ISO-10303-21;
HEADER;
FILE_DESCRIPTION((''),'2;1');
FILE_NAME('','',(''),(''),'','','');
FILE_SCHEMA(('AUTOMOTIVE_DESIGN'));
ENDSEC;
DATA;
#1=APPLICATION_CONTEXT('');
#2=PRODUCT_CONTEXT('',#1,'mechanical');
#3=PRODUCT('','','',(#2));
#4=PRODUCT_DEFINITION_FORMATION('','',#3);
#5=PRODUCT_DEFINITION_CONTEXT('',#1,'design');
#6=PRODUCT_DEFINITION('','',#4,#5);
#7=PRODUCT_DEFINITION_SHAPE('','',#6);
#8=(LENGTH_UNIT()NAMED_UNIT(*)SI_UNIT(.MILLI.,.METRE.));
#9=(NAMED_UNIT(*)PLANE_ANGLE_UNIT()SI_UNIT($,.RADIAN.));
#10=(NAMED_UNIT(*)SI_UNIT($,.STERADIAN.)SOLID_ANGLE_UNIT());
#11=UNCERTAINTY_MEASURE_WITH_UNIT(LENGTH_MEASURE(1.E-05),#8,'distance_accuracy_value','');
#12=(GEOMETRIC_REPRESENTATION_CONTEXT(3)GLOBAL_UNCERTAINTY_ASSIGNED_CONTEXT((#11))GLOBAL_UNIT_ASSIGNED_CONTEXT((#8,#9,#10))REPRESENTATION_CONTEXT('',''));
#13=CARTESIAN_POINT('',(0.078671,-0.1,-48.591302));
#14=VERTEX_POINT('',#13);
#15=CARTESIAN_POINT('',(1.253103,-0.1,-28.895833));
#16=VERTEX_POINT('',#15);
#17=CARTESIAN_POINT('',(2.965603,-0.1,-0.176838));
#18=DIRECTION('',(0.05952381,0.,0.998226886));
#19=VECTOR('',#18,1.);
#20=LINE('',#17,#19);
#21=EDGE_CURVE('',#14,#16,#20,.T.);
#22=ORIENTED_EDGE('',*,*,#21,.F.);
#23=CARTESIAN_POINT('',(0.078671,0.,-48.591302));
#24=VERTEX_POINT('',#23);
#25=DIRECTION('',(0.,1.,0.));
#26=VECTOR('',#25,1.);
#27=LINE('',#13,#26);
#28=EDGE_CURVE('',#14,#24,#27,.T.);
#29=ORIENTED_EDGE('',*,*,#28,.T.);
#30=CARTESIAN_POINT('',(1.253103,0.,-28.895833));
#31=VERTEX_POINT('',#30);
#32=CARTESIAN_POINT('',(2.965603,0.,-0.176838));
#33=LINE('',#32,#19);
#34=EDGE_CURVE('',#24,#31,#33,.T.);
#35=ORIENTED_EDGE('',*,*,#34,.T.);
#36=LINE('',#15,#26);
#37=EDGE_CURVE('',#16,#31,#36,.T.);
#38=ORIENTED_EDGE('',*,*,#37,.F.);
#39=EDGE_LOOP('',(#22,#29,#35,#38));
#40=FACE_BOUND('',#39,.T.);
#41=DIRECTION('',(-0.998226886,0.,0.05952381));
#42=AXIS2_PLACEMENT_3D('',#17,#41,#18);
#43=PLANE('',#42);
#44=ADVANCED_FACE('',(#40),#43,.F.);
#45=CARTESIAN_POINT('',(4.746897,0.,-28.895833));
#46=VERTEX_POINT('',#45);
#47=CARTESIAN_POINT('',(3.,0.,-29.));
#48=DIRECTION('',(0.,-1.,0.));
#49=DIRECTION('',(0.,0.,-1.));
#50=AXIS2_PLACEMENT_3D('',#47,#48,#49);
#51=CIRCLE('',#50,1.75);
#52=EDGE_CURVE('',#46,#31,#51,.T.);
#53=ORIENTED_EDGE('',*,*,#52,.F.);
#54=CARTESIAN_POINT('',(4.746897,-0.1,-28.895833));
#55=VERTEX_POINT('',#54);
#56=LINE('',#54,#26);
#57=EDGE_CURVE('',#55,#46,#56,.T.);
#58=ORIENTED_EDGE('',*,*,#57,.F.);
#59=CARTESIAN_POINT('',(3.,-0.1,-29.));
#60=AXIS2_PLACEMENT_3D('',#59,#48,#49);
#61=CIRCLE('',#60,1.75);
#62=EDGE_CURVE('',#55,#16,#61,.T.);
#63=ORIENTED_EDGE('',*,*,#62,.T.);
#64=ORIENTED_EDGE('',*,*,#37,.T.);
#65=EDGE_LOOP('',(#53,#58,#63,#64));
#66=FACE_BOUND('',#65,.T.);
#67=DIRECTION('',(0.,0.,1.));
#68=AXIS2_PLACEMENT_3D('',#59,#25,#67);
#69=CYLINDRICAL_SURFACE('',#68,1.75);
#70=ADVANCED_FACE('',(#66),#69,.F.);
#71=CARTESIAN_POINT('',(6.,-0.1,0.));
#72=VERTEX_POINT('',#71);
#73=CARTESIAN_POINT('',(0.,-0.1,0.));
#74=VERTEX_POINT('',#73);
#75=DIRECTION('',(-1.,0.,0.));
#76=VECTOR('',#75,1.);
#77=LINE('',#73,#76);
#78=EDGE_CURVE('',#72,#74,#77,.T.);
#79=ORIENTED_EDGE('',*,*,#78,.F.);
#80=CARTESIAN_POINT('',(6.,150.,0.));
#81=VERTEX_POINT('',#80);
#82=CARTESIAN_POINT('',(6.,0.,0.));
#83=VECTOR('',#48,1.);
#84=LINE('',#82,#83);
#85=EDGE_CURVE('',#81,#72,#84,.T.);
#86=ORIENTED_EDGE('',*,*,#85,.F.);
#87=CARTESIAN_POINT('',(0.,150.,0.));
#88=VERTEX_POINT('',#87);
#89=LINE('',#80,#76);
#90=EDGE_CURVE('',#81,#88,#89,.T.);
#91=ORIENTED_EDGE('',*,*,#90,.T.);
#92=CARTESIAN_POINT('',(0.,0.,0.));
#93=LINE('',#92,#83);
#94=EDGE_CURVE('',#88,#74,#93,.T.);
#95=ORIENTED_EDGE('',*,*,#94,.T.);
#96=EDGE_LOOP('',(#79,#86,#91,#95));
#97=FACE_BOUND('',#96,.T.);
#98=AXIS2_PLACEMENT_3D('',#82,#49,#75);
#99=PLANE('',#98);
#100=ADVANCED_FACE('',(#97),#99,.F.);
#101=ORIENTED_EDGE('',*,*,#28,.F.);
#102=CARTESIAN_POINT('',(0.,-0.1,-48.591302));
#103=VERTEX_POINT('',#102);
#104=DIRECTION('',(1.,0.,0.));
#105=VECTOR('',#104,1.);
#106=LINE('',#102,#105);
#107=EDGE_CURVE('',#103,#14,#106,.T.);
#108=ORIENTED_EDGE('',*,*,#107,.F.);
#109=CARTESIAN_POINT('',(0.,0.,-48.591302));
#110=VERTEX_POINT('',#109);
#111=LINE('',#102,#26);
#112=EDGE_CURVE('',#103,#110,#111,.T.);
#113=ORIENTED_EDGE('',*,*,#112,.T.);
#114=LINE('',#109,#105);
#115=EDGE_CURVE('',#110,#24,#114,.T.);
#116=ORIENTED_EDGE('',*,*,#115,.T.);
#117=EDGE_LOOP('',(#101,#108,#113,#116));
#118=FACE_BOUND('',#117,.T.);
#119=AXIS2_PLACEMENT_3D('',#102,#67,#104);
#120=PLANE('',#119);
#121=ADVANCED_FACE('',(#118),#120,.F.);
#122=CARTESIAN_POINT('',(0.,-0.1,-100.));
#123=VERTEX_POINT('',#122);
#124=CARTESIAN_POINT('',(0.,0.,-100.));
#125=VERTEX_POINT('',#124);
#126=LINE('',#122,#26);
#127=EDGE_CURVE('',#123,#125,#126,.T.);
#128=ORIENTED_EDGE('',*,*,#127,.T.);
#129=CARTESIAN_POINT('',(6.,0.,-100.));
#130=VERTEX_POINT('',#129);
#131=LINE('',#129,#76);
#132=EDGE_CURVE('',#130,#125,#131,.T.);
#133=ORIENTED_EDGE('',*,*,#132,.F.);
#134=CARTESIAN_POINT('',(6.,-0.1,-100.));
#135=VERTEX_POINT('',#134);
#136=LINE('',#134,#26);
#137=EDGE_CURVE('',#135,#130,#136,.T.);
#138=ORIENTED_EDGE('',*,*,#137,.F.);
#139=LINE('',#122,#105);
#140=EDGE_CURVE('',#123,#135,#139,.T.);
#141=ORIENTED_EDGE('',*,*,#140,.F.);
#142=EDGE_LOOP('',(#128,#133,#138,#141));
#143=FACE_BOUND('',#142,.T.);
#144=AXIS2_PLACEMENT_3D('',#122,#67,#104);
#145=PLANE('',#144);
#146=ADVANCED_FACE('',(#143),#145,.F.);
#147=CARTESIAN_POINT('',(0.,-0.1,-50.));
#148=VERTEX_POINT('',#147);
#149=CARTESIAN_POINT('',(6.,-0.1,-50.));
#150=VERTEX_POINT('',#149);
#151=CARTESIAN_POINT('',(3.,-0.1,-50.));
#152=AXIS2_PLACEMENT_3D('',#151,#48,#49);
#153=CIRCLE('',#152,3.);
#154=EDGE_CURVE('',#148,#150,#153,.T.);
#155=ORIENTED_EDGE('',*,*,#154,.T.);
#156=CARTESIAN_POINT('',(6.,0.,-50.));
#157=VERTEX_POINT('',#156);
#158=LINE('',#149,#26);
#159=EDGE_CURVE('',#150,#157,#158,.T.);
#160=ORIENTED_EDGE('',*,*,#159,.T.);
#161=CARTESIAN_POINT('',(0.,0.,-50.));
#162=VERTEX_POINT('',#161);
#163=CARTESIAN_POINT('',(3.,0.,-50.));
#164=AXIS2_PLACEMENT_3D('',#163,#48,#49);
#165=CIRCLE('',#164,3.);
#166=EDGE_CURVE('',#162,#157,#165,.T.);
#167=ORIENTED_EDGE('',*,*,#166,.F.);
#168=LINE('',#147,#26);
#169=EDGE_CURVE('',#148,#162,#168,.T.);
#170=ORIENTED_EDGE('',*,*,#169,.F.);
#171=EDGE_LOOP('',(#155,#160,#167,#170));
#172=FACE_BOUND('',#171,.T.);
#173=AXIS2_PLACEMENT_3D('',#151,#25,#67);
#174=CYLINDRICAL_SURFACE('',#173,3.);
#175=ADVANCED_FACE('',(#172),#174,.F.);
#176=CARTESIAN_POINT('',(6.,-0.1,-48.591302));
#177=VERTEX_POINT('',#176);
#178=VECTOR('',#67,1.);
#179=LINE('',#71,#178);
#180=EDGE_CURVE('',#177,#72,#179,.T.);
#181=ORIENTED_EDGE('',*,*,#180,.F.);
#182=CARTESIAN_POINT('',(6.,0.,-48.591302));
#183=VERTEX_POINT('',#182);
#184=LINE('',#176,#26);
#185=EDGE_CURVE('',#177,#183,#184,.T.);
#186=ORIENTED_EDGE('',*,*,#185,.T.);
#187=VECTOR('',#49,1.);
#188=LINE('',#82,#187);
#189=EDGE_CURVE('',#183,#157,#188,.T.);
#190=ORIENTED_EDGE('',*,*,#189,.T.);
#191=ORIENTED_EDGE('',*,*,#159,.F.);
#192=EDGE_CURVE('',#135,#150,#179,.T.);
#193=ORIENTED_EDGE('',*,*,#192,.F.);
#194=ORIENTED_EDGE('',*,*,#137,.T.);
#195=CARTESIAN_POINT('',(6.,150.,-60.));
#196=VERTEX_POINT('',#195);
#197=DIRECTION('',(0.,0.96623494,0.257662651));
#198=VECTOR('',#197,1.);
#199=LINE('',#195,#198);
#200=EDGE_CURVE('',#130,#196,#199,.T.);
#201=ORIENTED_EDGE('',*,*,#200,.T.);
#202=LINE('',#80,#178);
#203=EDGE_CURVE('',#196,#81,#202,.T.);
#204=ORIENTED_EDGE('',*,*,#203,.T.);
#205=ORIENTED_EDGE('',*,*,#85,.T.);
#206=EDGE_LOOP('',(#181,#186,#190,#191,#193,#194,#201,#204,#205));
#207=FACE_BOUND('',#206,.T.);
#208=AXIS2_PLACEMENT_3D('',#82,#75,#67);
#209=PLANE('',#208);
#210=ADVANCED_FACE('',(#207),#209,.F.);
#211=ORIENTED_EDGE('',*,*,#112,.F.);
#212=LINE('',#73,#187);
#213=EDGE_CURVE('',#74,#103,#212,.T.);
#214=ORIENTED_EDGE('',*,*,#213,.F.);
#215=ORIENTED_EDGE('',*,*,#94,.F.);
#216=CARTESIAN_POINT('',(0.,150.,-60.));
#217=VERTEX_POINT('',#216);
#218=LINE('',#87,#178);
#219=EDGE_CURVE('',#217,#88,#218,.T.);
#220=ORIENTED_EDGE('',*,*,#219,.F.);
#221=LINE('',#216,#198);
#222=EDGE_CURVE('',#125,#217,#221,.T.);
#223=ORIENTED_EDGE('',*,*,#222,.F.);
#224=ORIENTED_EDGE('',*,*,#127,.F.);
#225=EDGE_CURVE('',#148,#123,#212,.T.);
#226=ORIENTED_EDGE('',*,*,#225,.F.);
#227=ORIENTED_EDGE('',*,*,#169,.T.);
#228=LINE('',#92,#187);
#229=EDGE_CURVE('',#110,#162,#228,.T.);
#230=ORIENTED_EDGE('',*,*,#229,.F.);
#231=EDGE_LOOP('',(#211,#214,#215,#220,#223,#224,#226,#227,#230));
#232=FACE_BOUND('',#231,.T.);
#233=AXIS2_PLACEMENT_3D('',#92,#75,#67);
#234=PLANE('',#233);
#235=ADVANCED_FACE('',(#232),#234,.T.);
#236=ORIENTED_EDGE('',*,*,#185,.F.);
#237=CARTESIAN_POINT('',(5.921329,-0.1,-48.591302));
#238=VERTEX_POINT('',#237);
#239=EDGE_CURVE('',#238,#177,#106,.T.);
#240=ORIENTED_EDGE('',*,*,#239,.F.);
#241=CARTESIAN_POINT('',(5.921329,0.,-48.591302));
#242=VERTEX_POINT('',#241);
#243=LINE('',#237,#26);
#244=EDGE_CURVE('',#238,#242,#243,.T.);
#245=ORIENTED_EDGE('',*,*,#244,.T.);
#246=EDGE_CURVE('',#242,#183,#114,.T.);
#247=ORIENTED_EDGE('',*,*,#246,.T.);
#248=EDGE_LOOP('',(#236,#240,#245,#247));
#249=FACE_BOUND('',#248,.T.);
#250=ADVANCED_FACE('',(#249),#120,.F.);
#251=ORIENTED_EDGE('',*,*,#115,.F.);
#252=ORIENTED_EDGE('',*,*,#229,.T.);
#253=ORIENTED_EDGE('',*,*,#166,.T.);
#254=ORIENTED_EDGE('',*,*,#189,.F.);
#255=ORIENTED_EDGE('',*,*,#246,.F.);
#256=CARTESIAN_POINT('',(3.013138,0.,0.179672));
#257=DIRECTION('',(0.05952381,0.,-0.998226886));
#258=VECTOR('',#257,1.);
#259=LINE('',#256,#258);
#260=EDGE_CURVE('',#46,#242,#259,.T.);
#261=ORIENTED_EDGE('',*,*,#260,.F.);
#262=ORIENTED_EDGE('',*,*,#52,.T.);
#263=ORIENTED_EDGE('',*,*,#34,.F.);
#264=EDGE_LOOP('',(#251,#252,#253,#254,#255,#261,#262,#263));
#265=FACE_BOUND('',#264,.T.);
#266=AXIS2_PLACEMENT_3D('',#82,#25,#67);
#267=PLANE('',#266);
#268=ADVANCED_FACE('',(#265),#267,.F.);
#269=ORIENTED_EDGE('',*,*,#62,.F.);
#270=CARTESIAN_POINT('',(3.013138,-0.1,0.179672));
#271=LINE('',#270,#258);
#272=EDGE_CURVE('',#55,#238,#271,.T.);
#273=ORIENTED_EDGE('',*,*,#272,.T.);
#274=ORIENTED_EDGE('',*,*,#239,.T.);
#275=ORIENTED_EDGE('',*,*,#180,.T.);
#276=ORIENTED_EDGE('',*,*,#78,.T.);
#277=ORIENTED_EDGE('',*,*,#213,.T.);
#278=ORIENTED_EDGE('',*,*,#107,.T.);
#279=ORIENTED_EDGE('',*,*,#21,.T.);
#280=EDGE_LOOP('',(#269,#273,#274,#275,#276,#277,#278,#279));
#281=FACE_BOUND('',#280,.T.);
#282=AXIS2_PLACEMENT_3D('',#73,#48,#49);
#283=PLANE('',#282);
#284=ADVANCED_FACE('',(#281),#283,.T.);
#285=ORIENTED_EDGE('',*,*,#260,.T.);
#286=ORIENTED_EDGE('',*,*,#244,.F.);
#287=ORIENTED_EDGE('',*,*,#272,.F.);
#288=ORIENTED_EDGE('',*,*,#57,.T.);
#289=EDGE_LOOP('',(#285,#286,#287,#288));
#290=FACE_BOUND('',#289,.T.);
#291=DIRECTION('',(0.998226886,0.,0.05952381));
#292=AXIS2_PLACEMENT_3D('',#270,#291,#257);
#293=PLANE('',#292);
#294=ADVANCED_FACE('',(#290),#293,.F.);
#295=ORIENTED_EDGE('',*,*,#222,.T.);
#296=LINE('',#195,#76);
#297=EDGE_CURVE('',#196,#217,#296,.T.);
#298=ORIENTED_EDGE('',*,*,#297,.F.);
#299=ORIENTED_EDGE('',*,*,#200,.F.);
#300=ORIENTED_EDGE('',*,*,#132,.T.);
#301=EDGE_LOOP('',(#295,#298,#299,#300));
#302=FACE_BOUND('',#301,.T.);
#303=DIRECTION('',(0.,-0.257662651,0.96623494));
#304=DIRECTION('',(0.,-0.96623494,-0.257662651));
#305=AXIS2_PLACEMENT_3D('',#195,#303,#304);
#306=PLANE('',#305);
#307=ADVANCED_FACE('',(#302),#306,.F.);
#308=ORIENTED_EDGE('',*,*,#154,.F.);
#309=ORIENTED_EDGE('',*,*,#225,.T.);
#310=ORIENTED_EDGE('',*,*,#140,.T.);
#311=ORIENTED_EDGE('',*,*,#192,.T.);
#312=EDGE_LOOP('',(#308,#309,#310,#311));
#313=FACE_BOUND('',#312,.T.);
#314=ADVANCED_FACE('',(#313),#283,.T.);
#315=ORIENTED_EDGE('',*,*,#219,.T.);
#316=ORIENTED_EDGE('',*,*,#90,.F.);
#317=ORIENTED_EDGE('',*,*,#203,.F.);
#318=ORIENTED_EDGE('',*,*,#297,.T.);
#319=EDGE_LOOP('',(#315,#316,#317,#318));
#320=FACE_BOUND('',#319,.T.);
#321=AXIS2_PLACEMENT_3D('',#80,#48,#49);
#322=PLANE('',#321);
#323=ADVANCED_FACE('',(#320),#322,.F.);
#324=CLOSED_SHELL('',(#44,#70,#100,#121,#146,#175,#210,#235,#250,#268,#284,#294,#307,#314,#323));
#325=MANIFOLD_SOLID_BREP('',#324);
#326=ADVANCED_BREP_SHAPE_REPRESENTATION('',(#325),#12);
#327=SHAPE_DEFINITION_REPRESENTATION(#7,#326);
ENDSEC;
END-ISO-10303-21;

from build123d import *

# Parameters (mm, degrees)
EXTRUDE_1_DEPTH     = 6
BOSS_EXTRUDE4_DEPTH = 0.1


with BuildPart() as part:
    # Эскиз1 → Бобышка-Вытянуть1 (new body)
    with BuildSketch(Plane(origin=(0, 0, 0), x_dir=(0, 0, -1), z_dir=(1, 0, 0))):
        Polygon((0, 0), (100, 0), (60, 150), (0, 150), align=None)
    extrude(amount=EXTRUDE_1_DEPTH)

    # Sketch1 → Boss-Extrude4 (add)
    with BuildSketch(Plane.XZ):
        with BuildLine():
            Line((3, -27.25), (3, 0))
            Line((3, 0), (0, 0))
            Line((0, 0), (0, -48.591302246))
            Line((0, -48.591302246), (0.078671208, -48.591302246))
            Line((0.078671208, -48.591302246), (1.253102949, -28.895833333))
            ThreePointArc((1.253102949, -28.895833333), (1.799956598, -27.726266969), (3, -27.25))
        make_face()
        with BuildLine():
            Line((6, 0), (3, 0))
            Line((3, 0), (3, -27.25))
            ThreePointArc((3, -27.25), (4.200043402, -27.726266969), (4.746897051, -28.895833333))
            Line((4.746897051, -28.895833333), (5.921328792, -48.591302246))
            Line((5.921328792, -48.591302246), (6, -48.591302246))
            Line((6, -48.591302246), (6, 0))
        make_face()
        with BuildLine():
            Line((6, -100), (6, -50))
            ThreePointArc((6, -50), (5.121320344, -52.121320344), (3, -53))
            Line((3, -53), (3, -100))
            Line((3, -100), (6, -100))
        make_face()
        with BuildLine():
            ThreePointArc((3, -53), (0.878679656, -52.121320344), (0, -50))
            Line((0, -50), (0, -100))
            Line((0, -100), (3, -100))
            Line((3, -100), (3, -53))
        make_face()
    extrude(amount=BOSS_EXTRUDE4_DEPTH)


solid = part.part
